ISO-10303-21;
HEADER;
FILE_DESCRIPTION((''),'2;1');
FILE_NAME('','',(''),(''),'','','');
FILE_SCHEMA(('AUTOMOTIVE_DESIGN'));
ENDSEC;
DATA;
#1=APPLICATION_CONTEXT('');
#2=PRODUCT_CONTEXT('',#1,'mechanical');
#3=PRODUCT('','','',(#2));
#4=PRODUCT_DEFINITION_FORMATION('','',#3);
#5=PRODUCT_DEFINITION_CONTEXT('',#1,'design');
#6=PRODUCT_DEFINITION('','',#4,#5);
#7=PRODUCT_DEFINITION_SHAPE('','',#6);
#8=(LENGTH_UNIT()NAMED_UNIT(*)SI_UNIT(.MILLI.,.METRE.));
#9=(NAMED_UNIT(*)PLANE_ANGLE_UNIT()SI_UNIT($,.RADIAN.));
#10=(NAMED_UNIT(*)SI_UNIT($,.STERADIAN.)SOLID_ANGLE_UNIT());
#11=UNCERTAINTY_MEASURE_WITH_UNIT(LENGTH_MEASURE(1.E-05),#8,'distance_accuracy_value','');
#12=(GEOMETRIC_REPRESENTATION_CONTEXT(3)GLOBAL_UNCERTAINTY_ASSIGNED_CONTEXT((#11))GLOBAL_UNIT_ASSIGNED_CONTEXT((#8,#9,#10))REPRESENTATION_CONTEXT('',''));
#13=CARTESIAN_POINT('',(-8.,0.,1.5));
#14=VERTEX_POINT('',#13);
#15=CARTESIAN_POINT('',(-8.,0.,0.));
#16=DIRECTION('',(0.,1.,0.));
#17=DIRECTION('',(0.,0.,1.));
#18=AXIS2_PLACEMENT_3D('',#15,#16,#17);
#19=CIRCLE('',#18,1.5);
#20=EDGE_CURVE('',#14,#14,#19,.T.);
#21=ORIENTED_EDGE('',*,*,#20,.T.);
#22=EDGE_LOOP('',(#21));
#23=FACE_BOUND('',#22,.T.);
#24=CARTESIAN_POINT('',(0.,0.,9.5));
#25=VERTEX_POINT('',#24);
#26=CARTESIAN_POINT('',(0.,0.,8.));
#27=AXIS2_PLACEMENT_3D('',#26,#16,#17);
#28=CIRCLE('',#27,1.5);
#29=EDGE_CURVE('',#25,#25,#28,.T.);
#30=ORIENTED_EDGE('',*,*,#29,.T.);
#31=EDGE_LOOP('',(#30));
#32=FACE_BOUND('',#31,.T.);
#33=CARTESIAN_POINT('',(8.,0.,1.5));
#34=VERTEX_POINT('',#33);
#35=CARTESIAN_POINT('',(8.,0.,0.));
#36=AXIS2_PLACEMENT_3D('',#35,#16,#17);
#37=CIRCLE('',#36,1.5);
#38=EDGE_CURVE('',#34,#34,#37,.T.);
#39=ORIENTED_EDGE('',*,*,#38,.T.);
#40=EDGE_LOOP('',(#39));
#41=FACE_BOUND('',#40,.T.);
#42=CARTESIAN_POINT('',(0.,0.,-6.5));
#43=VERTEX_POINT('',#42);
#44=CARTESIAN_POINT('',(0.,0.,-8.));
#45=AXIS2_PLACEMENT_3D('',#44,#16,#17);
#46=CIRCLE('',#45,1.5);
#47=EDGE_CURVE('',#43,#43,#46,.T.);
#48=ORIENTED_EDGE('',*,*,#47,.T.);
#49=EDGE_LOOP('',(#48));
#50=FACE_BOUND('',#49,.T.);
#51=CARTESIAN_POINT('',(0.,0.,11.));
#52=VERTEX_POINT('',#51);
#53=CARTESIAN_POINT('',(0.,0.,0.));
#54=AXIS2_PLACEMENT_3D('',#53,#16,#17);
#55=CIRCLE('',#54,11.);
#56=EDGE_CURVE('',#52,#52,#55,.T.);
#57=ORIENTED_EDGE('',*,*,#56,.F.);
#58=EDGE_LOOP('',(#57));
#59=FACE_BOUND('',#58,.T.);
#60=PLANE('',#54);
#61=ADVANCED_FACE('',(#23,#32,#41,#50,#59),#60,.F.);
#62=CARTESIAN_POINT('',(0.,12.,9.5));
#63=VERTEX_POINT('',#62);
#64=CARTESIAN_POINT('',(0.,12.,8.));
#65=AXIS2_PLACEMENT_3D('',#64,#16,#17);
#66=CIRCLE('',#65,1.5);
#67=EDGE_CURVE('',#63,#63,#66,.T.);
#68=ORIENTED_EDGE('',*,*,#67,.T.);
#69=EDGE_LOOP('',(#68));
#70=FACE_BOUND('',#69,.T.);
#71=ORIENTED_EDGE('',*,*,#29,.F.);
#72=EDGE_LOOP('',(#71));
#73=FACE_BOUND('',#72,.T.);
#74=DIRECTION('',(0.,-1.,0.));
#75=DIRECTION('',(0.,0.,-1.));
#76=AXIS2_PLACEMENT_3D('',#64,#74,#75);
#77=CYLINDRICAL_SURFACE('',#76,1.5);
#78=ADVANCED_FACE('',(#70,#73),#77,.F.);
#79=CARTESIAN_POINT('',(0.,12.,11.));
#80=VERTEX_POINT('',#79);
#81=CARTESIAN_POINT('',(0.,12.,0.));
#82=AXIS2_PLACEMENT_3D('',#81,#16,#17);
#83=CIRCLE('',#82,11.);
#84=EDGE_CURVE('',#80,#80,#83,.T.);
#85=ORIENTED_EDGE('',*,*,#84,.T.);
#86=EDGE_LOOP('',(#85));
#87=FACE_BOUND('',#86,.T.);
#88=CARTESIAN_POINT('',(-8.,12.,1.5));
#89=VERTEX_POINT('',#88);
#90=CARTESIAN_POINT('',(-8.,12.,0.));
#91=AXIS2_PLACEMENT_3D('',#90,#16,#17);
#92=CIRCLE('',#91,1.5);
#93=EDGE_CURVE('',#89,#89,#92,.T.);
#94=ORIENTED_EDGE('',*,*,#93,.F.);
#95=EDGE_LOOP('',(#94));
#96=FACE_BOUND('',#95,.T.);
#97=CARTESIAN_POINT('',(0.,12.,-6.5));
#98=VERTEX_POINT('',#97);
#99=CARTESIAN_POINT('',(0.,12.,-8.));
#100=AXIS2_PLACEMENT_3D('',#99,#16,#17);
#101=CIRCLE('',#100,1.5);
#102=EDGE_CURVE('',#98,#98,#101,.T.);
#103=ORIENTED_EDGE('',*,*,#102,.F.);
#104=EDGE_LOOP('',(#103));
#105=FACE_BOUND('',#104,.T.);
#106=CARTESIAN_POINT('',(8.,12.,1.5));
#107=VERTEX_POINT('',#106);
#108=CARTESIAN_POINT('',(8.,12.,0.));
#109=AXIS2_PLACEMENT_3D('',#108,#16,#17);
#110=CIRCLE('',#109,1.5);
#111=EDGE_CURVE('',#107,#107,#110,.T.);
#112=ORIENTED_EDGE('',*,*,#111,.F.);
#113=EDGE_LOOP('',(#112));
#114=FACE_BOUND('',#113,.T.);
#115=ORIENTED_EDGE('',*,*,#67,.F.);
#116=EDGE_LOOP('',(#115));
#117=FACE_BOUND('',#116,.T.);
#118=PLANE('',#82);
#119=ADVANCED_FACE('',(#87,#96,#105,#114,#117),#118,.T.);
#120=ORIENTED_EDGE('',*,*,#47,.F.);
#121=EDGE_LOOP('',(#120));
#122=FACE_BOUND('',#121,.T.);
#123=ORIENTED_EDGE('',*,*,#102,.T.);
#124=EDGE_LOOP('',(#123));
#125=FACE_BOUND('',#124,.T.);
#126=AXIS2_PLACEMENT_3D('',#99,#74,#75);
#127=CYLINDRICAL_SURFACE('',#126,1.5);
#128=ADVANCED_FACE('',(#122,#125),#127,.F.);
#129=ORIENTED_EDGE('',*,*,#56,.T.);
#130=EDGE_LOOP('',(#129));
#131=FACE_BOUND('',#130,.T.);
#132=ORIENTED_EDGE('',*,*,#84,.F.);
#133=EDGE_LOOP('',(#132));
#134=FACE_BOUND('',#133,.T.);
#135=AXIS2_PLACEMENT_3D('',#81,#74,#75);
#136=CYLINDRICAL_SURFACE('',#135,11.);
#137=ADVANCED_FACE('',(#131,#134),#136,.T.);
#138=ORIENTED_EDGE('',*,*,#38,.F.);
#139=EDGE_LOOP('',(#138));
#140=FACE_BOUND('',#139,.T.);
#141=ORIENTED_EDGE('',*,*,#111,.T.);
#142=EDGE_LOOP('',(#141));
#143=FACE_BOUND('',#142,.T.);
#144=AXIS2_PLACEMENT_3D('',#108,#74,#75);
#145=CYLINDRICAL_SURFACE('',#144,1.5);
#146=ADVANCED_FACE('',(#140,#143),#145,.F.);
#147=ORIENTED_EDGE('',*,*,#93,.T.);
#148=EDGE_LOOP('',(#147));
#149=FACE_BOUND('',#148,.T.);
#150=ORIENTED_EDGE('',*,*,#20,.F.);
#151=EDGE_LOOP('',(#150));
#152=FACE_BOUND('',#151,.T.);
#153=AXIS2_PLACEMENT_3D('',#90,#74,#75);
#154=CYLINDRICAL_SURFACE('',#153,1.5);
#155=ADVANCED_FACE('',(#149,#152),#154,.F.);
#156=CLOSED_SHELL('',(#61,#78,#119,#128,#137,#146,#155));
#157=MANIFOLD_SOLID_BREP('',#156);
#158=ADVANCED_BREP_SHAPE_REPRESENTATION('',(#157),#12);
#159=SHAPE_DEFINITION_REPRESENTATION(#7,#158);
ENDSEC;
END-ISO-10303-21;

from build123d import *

# Parameters (mm, degrees)
SKETCH_1_R      = 11
SKETCH_1_R_2    = 1.5
EXTRUDE_1_DEPTH = 12


with BuildPart() as part:
    # 草图1 → 凸台-拉伸1 (new body)
    with BuildSketch(Plane(origin=(0, 0, 0), x_dir=(1, 0, 0), z_dir=(0, 1, 0))):
        with Locations(Location((0, 0, 0), (0, 0, 270))):
            Circle(SKETCH_1_R)
        with Locations(Location((0, 8, 0), (0, 0, 270))):
            Circle(SKETCH_1_R_2, mode=Mode.SUBTRACT)
        with Locations(Location((8, 0, 0), (0, 0, 270))):
            Circle(SKETCH_1_R_2, mode=Mode.SUBTRACT)
        with Locations(Location((0, -8, 0), (0, 0, 270))):
            Circle(SKETCH_1_R_2, mode=Mode.SUBTRACT)
        with Locations(Location((-8, 0, 0), (0, 0, 270))):
            Circle(SKETCH_1_R_2, mode=Mode.SUBTRACT)
    extrude(amount=EXTRUDE_1_DEPTH)


solid = part.part
